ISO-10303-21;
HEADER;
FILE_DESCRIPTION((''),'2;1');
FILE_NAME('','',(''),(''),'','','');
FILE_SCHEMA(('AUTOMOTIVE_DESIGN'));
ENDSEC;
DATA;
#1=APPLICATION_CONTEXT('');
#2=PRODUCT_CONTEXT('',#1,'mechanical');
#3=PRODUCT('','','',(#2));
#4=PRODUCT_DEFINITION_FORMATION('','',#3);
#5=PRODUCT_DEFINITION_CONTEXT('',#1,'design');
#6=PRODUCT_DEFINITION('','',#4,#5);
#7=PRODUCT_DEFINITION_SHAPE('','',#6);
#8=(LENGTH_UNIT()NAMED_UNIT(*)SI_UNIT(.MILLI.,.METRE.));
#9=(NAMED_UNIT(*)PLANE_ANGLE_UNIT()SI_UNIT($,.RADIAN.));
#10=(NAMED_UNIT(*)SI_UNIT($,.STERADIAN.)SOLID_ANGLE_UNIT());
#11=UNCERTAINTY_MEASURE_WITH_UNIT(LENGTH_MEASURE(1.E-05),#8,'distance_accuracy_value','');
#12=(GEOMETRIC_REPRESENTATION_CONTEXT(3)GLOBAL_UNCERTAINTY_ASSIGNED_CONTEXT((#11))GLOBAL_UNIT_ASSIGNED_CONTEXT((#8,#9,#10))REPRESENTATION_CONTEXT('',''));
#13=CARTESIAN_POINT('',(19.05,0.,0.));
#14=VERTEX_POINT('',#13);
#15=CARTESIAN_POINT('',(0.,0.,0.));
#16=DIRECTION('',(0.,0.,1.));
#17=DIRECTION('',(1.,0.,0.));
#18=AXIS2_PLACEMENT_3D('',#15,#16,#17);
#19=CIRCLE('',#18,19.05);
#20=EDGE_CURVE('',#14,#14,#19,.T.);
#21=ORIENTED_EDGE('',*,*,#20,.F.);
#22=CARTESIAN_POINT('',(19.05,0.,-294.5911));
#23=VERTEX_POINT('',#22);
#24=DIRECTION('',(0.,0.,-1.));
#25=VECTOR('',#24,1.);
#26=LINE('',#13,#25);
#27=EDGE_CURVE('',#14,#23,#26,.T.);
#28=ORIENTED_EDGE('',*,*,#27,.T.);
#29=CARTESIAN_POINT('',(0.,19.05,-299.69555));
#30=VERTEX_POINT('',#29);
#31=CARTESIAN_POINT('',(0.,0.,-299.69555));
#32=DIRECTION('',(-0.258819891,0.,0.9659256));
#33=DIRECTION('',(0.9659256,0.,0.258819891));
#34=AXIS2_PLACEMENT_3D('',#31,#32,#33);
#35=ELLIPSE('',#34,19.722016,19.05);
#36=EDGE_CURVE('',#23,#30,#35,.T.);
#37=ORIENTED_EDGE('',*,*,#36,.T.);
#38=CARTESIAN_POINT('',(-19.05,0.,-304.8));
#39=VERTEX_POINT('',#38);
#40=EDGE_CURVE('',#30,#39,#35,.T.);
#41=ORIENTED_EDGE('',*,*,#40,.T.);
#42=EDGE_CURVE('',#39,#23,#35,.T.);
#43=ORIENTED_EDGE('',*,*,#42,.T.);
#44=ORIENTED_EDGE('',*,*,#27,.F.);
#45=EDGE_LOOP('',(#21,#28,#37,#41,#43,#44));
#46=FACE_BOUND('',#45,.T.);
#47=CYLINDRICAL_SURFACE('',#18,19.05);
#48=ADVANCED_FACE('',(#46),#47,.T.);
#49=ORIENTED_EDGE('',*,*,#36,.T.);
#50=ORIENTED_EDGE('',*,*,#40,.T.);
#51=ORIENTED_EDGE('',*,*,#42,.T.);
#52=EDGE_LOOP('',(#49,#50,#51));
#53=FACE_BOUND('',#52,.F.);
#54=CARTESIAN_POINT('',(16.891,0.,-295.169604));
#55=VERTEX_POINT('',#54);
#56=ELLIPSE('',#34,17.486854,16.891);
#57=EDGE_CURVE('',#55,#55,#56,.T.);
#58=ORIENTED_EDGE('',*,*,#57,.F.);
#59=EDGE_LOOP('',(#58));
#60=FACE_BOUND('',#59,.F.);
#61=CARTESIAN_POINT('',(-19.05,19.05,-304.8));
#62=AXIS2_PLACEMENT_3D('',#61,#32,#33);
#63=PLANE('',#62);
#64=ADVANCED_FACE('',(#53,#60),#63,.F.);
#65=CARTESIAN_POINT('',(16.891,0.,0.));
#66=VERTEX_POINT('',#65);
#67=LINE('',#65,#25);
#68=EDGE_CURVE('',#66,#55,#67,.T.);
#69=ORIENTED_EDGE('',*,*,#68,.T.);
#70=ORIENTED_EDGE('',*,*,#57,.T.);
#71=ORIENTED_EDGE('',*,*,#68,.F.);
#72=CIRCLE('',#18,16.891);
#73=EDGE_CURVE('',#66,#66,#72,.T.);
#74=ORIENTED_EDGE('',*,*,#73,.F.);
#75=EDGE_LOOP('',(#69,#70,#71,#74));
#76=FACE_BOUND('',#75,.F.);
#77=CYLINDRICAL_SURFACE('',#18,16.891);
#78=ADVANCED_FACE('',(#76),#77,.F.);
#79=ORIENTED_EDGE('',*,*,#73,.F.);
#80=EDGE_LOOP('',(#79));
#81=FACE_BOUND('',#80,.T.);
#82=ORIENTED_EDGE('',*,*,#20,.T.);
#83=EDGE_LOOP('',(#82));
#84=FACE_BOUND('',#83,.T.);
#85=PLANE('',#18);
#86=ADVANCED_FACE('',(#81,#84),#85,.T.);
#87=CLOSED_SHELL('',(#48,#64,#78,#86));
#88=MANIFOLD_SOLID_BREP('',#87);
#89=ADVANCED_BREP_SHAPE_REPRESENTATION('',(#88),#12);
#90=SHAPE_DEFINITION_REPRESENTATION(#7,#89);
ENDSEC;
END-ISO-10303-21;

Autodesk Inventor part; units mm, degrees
ref_plane "YZ Plane" through (0, 0, 0) normal (1, 0, 0) x (0, 1, 0)
ref_plane "XY Plane" through (0, 0, 0) normal (0, 0, 1) x (1, 0, 0)
sketch "Sketch1" plane through (0, 0, 0) normal (0, 0, 1) x (1, 0, 0)
  circle A0 centre (0, 0) radius 16.891
  circle A1 centre (0, 0) radius 19.05
  dimension "d0" = 38.1
  dimension "d2" = 33.782
extrude "Extrusion1" add sketch "Sketch1" against normal blind 304.8
ref_plane "Work Plane1" through (0, 19.05, 0) normal (0, 1, 0) x (-1, 0, 0)
sketch "Sketch2" plane through (0, 19.05, 0) normal (0, 1, 0) x (-1, 0, 0)
  line L0 (19.05, 0) -> (19.05, -304.8) projected
  line L1 (-19.05, -304.8) -> (19.05, -304.8) projected
  line L2 (19.05, -304.8) -> (-19.05, -294.5911)
  line L3 (-19.05, 0) -> (-19.05, -304.8) projected
  point P0 (0, 0)
  dimension "d5" = 15
extrude "Extrusion2" cut sketch "Sketch2" against normal blind 50.8
sketch "Sketch3" plane through (0, 0, 0) normal (0, 1, 0) x (-1, 0, 0)
  line L0 (19.05, 0) -> (19.05, -304.8) projected
  point P0 (0, 0)
properties part number "GE-13018-01" material "Steel"
